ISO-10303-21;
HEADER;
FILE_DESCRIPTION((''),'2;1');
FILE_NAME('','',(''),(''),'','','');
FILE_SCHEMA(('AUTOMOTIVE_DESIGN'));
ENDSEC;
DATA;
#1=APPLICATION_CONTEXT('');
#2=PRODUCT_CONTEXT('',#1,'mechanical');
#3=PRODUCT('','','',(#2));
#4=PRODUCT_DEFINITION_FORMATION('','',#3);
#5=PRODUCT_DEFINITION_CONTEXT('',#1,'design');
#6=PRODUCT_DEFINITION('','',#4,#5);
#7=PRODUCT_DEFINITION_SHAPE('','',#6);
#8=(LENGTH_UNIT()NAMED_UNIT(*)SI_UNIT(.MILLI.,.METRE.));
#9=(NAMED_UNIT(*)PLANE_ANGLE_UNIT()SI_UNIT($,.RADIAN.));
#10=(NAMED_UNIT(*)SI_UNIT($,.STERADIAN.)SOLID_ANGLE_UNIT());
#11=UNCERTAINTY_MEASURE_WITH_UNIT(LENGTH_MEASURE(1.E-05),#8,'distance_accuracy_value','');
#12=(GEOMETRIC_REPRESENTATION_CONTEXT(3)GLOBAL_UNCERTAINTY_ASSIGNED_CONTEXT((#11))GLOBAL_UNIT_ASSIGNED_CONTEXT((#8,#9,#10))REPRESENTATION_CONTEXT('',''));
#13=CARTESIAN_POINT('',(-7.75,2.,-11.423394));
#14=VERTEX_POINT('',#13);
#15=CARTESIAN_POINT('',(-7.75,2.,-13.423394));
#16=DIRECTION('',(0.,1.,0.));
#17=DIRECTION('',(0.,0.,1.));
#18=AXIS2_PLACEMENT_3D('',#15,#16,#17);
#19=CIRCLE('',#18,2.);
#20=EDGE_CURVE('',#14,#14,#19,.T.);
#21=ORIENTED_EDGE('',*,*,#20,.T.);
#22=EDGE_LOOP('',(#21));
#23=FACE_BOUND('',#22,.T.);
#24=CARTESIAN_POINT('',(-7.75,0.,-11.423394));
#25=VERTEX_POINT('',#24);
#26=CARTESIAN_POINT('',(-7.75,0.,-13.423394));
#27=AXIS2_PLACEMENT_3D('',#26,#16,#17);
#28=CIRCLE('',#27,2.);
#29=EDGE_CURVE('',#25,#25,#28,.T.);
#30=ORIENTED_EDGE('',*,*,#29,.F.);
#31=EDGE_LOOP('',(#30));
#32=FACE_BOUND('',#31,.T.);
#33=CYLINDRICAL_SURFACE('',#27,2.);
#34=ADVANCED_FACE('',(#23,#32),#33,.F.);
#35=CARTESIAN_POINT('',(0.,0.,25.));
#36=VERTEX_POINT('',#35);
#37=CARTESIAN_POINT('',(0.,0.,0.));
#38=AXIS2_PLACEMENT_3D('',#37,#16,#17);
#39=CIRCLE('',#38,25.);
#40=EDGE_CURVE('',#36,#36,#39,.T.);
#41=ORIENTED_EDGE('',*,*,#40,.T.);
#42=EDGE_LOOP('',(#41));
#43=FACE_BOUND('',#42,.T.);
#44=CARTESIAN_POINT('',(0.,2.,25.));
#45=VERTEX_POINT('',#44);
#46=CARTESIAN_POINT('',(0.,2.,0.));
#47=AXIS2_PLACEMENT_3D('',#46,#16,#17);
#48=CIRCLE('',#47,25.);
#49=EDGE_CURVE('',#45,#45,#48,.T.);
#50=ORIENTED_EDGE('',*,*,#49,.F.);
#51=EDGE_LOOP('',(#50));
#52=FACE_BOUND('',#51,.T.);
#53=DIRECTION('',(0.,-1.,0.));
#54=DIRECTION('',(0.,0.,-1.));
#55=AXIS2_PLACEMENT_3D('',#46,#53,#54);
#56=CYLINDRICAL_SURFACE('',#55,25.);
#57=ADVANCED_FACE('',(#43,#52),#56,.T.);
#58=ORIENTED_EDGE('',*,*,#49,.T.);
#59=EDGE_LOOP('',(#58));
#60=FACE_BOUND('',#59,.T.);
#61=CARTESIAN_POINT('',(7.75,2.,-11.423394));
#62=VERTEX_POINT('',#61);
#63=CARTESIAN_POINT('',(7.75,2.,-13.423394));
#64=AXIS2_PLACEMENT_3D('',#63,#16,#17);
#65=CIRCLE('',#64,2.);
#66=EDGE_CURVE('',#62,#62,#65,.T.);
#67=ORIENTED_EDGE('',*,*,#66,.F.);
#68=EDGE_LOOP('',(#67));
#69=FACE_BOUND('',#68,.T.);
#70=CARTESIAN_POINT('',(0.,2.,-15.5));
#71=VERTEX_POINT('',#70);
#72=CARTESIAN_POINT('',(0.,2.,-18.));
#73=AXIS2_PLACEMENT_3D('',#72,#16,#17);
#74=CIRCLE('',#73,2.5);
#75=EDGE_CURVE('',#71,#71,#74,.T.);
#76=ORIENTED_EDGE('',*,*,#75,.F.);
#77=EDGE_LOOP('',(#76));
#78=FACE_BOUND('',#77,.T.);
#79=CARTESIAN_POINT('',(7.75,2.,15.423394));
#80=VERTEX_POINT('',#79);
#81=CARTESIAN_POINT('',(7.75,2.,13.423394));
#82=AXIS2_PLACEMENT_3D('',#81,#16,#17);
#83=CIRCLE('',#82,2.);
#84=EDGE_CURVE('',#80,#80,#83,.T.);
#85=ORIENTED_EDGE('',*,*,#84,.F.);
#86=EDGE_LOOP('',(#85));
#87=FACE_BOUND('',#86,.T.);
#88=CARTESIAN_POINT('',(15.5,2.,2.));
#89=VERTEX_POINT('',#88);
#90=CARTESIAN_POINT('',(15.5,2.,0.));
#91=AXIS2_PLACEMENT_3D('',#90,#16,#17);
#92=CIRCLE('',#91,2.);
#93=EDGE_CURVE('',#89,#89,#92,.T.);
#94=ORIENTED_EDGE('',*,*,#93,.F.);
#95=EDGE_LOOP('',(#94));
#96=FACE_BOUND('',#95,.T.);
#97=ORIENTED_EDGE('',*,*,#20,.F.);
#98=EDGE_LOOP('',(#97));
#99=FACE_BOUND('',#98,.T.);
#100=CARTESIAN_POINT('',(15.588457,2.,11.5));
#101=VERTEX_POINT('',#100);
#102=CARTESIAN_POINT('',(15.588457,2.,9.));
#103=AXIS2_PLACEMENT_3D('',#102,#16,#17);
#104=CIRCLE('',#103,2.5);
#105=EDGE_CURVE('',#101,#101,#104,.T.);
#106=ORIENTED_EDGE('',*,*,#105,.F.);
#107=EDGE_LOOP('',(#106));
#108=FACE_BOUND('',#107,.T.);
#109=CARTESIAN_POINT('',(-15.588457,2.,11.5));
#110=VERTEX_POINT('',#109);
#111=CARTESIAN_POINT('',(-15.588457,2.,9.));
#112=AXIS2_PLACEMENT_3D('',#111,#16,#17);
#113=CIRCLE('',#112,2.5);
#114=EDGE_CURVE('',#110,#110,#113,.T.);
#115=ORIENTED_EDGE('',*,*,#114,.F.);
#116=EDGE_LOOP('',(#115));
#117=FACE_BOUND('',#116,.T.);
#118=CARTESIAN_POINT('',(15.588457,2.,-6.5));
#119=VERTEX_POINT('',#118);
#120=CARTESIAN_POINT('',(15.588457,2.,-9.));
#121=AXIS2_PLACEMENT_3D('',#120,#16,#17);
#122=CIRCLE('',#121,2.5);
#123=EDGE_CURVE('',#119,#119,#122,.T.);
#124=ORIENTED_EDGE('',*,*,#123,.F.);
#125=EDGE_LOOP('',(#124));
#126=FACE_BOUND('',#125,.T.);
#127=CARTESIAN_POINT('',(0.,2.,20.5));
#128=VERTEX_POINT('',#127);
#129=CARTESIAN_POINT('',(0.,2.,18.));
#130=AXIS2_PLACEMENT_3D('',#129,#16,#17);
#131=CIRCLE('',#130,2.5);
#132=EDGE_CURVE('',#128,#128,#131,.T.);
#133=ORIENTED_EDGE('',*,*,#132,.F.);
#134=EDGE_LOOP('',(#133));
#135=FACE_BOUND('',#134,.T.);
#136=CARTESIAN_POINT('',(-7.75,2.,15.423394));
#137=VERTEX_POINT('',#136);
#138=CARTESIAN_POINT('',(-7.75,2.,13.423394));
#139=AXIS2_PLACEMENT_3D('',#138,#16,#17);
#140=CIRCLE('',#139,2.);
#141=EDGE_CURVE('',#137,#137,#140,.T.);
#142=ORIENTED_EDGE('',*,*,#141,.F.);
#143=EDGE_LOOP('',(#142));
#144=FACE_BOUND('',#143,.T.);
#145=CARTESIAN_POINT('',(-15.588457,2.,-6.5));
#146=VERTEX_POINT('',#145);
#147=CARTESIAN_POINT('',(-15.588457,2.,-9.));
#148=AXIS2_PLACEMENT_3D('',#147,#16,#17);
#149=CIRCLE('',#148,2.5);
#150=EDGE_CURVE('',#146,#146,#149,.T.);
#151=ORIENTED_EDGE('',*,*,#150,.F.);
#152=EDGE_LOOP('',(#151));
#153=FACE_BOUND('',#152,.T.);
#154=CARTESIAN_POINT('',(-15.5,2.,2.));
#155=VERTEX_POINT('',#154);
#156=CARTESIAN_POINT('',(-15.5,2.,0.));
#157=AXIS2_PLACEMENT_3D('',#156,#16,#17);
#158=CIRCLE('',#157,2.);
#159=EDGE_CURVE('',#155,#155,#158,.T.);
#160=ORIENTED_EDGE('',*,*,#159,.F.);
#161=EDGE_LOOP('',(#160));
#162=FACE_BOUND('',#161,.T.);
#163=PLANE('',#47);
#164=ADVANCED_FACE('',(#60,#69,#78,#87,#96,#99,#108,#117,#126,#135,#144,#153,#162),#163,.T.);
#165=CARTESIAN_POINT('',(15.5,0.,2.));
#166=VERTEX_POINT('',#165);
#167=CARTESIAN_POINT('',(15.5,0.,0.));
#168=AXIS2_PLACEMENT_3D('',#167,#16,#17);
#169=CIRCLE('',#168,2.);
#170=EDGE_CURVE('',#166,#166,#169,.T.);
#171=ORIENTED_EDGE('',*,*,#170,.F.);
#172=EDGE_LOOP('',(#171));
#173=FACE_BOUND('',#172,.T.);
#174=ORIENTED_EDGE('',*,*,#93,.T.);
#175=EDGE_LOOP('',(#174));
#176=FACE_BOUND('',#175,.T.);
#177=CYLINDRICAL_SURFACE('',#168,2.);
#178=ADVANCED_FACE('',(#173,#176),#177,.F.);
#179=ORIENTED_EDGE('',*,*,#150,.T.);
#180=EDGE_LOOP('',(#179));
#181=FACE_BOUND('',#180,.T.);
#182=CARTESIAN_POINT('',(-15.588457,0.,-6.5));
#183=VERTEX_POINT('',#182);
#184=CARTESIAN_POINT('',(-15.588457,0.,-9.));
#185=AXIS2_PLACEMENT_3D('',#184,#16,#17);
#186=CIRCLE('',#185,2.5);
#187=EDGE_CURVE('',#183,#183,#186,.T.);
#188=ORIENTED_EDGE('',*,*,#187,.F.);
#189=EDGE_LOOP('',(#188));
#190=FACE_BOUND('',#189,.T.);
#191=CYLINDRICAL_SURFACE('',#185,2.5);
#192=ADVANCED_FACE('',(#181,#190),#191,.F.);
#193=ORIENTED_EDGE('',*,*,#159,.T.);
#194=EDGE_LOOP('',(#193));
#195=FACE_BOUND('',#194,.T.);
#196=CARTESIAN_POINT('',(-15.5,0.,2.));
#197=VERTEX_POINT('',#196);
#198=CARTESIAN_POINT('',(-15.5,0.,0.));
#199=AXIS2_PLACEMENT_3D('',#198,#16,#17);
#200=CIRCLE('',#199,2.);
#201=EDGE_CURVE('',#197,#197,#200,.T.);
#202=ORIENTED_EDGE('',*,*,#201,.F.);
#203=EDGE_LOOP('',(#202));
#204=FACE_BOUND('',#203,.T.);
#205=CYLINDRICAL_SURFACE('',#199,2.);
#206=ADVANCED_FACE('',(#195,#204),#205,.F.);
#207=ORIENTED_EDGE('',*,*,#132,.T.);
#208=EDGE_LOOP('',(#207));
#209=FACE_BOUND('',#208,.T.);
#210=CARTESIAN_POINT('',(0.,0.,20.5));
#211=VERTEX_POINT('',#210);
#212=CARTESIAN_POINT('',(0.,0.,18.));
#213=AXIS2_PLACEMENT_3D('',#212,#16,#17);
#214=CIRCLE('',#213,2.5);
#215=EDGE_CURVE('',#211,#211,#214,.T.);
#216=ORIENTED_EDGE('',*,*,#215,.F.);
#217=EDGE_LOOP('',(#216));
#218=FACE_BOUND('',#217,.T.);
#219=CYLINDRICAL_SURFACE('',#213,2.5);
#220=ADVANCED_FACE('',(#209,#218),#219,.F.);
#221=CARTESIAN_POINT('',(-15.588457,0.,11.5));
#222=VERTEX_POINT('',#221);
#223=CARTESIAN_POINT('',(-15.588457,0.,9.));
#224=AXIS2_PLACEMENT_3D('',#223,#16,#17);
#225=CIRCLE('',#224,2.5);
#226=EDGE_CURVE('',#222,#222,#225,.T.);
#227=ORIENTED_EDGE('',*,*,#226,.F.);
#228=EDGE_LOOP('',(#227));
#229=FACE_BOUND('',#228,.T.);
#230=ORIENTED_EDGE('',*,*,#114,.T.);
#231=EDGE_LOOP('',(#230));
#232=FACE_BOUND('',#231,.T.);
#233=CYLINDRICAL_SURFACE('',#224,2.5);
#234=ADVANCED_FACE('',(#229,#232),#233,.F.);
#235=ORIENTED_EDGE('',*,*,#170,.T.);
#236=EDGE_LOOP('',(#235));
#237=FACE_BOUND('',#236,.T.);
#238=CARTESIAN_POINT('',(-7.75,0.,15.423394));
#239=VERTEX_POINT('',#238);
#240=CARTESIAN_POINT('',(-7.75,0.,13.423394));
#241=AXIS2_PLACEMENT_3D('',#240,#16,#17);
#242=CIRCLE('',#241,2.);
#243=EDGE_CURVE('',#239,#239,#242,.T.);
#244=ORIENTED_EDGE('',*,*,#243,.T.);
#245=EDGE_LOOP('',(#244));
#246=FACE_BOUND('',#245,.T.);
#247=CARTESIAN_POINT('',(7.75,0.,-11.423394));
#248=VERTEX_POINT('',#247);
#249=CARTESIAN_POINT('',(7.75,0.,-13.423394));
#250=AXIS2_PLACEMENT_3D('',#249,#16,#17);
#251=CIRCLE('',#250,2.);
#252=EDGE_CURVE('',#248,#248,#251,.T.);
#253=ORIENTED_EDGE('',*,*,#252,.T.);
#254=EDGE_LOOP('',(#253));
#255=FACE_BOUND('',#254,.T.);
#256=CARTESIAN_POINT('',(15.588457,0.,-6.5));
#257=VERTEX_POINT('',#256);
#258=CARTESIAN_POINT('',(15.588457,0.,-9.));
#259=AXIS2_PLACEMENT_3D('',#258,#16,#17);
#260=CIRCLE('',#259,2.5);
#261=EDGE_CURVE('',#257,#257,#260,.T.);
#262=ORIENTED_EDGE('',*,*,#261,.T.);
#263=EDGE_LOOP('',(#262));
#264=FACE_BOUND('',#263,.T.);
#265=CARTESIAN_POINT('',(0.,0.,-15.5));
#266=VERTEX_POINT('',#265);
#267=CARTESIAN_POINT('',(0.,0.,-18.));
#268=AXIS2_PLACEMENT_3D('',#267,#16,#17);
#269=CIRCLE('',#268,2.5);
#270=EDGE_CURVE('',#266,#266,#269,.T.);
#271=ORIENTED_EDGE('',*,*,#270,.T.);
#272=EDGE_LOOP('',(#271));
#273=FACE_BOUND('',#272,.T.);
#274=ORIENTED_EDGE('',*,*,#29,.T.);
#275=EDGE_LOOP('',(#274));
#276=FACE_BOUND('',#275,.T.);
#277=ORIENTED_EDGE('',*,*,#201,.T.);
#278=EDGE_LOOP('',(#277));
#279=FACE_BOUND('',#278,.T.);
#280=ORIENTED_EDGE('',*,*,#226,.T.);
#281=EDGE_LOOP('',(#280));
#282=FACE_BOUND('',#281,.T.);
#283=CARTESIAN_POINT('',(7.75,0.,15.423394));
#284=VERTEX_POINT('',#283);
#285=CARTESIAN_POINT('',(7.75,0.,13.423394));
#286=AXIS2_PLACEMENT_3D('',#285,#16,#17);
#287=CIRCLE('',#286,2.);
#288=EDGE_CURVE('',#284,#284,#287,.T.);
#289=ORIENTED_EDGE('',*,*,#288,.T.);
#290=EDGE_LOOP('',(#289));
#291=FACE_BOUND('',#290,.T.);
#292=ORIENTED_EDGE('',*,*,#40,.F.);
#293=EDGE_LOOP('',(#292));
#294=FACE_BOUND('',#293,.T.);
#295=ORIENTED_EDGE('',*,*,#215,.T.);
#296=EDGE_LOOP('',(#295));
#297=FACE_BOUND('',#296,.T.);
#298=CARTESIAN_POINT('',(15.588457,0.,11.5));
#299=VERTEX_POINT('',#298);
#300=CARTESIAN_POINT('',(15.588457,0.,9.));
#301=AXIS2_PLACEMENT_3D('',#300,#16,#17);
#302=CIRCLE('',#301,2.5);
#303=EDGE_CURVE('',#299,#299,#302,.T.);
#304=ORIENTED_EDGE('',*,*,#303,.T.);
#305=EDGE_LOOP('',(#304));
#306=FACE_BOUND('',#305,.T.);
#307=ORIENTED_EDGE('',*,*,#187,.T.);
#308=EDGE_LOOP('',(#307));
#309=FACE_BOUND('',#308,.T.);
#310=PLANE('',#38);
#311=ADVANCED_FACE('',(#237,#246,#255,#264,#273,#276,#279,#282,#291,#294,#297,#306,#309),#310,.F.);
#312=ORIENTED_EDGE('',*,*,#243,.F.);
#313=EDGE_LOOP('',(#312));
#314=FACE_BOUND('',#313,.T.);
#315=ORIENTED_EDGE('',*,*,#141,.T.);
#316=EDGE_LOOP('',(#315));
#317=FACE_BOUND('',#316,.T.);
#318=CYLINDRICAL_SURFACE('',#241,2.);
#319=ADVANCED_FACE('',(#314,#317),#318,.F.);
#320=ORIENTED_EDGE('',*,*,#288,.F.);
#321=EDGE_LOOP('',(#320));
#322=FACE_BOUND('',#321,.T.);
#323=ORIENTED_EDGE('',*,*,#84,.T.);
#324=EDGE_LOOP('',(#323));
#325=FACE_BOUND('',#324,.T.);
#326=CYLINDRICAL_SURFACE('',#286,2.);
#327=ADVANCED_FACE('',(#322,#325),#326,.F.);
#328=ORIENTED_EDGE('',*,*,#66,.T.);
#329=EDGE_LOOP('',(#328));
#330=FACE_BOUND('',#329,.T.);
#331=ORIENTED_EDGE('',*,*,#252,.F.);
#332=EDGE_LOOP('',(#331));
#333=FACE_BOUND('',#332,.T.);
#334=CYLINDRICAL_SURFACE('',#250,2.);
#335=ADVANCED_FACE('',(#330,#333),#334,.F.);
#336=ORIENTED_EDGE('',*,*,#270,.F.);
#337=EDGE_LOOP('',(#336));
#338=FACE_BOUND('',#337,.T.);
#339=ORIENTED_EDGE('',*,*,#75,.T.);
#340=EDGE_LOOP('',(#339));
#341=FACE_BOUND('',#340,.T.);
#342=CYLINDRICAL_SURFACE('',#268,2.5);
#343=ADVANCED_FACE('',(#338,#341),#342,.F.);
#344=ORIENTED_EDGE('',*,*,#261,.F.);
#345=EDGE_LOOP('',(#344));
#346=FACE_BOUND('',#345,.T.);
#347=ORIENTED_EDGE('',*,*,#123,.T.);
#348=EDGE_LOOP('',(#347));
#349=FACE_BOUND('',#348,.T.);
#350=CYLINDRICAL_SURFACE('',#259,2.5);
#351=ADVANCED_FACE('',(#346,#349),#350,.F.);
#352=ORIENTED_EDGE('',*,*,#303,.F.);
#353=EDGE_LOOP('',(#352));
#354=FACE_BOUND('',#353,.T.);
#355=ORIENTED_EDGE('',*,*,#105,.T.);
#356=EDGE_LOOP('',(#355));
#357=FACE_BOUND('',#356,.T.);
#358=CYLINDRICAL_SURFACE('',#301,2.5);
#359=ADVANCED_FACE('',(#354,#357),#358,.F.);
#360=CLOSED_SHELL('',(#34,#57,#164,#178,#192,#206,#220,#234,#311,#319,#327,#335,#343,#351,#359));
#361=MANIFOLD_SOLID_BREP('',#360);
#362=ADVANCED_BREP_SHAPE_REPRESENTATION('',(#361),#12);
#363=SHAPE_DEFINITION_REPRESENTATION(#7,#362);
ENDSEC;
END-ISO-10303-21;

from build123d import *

# Parameters (mm, degrees)
SKETCH_1_R          = 25
EXTRUDE_1_DEPTH     = 2
SKETCH_2_R          = 2.5
SKETCH_2_R_2        = 2
CUT_EXTRUDE_1_DEPTH = 2


with BuildPart() as part:
    # Эскиз1 → Бобышка-Вытянуть1 (new body)
    with BuildSketch(Plane(origin=(0, 0, 0), x_dir=(1, 0, 0), z_dir=(0, 1, 0))):
        with Locations(Location((0, 0, 0), (0, 0, 270))):
            Circle(SKETCH_1_R)
    extrude(amount=EXTRUDE_1_DEPTH)

    # Эскиз2 → Вырез-Вытянуть1 (cut)
    with BuildSketch(Plane(origin=(0, 2, 0), x_dir=(1, 0, 0), z_dir=(0, 1, 0))):
        with Locations(Location((0, 18, 0), (0, 0, 270))):
            Circle(SKETCH_2_R)
        with Locations(Location((15.588457268, 9, 0), (0, 0, 270))):
            Circle(SKETCH_2_R)
        with Locations(Location((15.588457268, -9, 0), (0, 0, 270))):
            Circle(SKETCH_2_R)
        with Locations(Location((0, -18, 0), (0, 0, 270))):
            Circle(SKETCH_2_R)
        with Locations(Location((-15.588457268, -9, 0), (0, 0, 270))):
            Circle(SKETCH_2_R)
        with Locations(Location((-15.588457268, 9, 0), (0, 0, 270))):
            Circle(SKETCH_2_R)
        with Locations(Location((-15.5, 0, 0), (0, 0, 270))):
            Circle(SKETCH_2_R_2)
        with Locations(Location((-7.75, 13.423393759, 0), (0, 0, 270))):
            Circle(SKETCH_2_R_2)
        with Locations(Location((7.75, 13.423393759, 0), (0, 0, 270))):
            Circle(SKETCH_2_R_2)
        with Locations(Location((15.5, 0, 0), (0, 0, 270))):
            Circle(SKETCH_2_R_2)
        with Locations(Location((7.75, -13.423393759, 0), (0, 0, 270))):
            Circle(SKETCH_2_R_2)
        with Locations(Location((-7.75, -13.423393759, 0), (0, 0, 270))):
            Circle(SKETCH_2_R_2)
    extrude(amount=-CUT_EXTRUDE_1_DEPTH, mode=Mode.SUBTRACT)


solid = part.part
